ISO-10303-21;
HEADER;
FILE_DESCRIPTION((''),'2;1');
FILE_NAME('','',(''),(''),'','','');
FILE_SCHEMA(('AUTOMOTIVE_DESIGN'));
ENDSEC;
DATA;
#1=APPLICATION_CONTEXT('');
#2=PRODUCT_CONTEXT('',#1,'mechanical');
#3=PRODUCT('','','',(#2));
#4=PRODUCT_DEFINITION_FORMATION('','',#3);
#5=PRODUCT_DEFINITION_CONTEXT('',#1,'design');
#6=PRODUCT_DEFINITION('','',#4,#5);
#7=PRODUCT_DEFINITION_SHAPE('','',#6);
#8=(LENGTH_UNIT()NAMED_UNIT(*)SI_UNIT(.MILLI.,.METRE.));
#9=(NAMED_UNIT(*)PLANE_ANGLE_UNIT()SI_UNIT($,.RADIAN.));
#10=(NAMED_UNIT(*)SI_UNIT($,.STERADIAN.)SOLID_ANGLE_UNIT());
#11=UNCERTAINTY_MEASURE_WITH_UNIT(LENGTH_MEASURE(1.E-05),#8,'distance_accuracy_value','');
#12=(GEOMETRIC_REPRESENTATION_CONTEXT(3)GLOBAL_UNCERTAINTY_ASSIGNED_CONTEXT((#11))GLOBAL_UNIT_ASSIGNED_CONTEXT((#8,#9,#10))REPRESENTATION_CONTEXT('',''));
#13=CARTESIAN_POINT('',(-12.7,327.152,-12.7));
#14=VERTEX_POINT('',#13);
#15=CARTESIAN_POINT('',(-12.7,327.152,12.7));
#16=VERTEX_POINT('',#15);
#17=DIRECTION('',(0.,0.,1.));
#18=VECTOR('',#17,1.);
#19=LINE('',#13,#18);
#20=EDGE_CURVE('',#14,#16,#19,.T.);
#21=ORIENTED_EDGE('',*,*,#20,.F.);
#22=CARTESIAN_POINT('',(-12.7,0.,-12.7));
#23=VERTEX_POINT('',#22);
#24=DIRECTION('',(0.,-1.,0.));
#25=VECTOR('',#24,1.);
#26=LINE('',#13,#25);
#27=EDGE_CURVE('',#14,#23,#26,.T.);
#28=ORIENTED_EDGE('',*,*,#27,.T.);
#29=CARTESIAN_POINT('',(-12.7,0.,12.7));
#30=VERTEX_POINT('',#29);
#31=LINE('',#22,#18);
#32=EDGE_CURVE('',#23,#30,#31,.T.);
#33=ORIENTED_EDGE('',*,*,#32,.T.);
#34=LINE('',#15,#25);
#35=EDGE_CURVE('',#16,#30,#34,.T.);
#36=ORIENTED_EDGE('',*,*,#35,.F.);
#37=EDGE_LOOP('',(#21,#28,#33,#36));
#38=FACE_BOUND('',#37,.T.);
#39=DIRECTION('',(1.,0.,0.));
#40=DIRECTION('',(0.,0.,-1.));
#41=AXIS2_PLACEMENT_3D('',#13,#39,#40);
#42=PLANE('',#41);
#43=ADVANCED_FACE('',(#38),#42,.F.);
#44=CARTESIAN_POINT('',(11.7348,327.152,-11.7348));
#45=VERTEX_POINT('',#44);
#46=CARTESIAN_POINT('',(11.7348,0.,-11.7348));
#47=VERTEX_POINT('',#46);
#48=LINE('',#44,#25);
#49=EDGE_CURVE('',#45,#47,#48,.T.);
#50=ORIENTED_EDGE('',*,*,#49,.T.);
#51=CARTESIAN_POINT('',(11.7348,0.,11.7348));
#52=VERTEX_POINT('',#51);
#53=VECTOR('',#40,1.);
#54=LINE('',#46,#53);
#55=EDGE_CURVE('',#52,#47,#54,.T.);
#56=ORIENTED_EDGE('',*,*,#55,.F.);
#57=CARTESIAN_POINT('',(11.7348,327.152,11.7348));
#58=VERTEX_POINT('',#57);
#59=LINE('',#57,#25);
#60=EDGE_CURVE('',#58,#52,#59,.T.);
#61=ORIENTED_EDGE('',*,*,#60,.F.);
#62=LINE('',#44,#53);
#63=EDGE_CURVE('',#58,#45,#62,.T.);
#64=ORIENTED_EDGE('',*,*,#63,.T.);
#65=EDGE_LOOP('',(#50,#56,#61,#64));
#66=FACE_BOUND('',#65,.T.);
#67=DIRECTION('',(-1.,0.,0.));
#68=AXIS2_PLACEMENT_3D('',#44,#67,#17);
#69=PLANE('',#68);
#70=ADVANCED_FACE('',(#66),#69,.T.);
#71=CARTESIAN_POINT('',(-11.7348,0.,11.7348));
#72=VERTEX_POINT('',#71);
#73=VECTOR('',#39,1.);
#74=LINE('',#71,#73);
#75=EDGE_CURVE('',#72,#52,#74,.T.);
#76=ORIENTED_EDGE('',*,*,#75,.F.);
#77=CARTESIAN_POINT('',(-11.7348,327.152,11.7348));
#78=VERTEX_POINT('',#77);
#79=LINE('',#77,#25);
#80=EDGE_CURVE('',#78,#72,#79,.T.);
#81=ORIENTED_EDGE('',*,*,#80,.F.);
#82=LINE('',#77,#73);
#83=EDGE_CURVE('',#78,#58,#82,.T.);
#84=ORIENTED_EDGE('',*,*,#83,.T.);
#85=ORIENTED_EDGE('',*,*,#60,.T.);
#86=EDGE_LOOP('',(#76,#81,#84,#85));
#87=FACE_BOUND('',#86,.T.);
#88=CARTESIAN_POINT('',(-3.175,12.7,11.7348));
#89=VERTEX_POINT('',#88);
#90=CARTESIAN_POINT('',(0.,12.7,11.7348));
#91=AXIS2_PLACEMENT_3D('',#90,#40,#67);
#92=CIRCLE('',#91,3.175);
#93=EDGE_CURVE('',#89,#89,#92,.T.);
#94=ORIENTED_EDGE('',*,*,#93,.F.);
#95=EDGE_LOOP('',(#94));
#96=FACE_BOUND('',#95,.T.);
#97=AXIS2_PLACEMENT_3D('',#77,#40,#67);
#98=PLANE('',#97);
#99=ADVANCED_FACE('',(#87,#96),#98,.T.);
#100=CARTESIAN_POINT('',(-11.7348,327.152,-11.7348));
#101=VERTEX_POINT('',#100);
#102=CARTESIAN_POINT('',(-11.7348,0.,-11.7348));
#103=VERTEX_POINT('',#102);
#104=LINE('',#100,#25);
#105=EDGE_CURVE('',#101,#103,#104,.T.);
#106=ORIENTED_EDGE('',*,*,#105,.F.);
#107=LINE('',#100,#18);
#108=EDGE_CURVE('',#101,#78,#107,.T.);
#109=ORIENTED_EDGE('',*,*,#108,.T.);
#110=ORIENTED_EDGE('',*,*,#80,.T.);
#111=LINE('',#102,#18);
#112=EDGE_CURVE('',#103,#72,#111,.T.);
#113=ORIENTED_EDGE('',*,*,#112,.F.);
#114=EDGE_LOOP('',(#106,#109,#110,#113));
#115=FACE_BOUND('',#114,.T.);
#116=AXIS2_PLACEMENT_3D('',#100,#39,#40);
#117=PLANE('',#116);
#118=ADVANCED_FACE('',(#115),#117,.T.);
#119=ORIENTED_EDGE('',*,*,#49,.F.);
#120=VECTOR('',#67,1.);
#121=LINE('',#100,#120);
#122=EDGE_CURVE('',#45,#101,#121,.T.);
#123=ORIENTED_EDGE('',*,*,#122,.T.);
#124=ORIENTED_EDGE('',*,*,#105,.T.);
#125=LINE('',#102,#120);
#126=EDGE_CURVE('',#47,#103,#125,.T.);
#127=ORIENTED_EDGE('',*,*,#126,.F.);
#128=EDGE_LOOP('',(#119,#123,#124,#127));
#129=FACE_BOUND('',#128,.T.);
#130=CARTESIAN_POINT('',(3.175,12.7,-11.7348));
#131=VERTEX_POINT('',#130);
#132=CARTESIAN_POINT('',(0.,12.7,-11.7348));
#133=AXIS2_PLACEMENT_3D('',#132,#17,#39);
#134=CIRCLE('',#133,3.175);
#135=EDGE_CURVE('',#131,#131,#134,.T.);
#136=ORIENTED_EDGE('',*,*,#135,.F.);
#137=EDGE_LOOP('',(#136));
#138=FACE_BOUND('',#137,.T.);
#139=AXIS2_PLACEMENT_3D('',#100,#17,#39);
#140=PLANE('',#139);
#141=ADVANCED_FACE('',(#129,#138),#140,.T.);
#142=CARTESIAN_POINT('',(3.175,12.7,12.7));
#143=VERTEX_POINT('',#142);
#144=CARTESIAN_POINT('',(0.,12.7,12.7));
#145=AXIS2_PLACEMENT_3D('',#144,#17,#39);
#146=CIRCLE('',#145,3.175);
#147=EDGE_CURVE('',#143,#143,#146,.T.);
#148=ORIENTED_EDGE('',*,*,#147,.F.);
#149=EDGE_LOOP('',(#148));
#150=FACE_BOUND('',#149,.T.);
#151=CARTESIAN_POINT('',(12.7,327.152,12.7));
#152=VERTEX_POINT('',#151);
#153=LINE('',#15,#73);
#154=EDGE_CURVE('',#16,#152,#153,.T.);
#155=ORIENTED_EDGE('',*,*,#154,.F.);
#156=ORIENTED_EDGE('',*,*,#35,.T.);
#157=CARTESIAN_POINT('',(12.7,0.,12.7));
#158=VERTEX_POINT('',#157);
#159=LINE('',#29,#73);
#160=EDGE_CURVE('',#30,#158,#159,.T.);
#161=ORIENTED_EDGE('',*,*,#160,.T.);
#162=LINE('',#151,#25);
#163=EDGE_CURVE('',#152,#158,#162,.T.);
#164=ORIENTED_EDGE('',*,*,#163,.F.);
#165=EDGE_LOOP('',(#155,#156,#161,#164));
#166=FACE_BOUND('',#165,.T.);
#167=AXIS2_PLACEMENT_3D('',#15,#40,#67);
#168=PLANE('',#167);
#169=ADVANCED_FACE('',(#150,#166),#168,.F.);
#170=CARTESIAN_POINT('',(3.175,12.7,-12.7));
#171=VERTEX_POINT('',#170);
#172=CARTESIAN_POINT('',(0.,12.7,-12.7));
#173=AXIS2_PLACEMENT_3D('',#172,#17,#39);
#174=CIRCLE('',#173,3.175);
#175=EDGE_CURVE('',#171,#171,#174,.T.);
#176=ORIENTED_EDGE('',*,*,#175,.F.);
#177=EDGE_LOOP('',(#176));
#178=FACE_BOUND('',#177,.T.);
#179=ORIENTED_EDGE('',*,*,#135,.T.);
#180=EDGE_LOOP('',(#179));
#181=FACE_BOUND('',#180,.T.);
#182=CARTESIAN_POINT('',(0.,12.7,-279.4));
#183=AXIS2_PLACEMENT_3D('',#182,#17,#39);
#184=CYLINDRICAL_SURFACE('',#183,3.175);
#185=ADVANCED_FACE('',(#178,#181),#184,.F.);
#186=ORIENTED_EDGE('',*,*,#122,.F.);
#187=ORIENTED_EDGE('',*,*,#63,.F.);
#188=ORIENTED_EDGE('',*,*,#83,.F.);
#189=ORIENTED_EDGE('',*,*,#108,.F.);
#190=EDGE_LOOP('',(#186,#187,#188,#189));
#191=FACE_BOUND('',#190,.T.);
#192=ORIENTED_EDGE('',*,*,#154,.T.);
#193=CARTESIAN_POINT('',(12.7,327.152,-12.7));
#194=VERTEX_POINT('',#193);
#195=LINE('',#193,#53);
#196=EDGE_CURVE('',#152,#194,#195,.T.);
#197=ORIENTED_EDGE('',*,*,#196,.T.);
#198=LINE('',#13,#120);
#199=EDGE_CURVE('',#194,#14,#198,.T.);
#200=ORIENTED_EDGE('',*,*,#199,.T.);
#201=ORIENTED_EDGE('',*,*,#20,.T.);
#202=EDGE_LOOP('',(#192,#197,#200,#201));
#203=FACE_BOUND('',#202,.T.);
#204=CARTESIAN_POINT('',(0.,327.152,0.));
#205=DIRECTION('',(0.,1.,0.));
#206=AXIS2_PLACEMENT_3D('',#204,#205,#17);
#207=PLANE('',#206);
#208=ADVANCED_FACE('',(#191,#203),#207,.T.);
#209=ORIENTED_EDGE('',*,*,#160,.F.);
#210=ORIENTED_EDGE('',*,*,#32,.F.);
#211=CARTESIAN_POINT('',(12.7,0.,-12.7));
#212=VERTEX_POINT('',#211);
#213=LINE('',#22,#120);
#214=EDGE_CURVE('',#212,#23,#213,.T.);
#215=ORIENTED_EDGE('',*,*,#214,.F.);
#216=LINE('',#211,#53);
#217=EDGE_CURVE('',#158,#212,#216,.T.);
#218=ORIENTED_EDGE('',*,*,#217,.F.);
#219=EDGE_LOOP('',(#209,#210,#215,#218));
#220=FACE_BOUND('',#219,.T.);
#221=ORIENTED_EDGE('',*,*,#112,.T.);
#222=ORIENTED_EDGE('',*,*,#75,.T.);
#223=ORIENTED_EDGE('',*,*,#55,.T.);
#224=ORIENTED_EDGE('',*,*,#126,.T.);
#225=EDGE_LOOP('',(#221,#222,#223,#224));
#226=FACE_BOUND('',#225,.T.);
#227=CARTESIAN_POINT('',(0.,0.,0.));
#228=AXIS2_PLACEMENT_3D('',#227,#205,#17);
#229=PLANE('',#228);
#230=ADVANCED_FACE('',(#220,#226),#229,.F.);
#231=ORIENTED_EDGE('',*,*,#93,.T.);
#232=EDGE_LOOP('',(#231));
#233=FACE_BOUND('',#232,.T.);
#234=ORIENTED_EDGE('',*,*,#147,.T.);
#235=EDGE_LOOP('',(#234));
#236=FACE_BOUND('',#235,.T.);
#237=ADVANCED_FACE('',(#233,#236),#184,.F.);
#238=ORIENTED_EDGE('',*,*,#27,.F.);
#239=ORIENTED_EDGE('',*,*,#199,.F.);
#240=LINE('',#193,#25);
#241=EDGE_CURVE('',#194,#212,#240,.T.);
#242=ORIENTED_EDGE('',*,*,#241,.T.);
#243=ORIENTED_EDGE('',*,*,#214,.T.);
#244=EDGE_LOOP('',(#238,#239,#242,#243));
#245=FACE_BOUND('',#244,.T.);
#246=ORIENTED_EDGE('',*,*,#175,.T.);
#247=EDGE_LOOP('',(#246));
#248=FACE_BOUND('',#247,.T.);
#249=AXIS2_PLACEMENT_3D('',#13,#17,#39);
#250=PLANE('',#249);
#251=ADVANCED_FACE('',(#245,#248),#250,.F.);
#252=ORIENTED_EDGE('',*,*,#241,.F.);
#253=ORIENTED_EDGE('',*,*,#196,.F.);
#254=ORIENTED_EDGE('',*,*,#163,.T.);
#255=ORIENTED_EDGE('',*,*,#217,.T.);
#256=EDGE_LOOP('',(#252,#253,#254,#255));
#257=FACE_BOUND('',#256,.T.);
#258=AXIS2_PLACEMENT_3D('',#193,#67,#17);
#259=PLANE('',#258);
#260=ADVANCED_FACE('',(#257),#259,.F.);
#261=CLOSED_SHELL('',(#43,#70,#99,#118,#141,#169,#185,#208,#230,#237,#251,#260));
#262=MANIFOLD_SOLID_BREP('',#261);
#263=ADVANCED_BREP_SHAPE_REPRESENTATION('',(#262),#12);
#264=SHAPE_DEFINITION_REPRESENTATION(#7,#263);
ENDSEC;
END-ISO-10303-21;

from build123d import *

# Parameters (mm, degrees)
SKETCH1_W           = 25.4
SKETCH1_H           = 25.4
SKETCH1_W_2         = 23.4696
SKETCH1_H_2         = 23.4696
BOSS_EXTRUDE1_DEPTH = 327.152
SKETCH3_R           = 3.175
CUT_EXTRUDE1_DEPTH  = 292.1


with BuildPart() as part:
    # Sketch1 → Boss-Extrude1 (new body)
    with BuildSketch(Plane(origin=(0, 0, 0), x_dir=(1, 0, 0), z_dir=(0, 1, 0))):
        Rectangle(SKETCH1_W, SKETCH1_H)
        Rectangle(SKETCH1_W_2, SKETCH1_H_2, mode=Mode.SUBTRACT)
    extrude(amount=BOSS_EXTRUDE1_DEPTH)

    # Sketch3 → Cut-Extrude1 (cut)
    with BuildSketch(Plane.XY.offset(12.7)):
        with Locations((0, 12.7)):
            Circle(SKETCH3_R)
    extrude(amount=-CUT_EXTRUDE1_DEPTH, mode=Mode.SUBTRACT)


solid = part.part
